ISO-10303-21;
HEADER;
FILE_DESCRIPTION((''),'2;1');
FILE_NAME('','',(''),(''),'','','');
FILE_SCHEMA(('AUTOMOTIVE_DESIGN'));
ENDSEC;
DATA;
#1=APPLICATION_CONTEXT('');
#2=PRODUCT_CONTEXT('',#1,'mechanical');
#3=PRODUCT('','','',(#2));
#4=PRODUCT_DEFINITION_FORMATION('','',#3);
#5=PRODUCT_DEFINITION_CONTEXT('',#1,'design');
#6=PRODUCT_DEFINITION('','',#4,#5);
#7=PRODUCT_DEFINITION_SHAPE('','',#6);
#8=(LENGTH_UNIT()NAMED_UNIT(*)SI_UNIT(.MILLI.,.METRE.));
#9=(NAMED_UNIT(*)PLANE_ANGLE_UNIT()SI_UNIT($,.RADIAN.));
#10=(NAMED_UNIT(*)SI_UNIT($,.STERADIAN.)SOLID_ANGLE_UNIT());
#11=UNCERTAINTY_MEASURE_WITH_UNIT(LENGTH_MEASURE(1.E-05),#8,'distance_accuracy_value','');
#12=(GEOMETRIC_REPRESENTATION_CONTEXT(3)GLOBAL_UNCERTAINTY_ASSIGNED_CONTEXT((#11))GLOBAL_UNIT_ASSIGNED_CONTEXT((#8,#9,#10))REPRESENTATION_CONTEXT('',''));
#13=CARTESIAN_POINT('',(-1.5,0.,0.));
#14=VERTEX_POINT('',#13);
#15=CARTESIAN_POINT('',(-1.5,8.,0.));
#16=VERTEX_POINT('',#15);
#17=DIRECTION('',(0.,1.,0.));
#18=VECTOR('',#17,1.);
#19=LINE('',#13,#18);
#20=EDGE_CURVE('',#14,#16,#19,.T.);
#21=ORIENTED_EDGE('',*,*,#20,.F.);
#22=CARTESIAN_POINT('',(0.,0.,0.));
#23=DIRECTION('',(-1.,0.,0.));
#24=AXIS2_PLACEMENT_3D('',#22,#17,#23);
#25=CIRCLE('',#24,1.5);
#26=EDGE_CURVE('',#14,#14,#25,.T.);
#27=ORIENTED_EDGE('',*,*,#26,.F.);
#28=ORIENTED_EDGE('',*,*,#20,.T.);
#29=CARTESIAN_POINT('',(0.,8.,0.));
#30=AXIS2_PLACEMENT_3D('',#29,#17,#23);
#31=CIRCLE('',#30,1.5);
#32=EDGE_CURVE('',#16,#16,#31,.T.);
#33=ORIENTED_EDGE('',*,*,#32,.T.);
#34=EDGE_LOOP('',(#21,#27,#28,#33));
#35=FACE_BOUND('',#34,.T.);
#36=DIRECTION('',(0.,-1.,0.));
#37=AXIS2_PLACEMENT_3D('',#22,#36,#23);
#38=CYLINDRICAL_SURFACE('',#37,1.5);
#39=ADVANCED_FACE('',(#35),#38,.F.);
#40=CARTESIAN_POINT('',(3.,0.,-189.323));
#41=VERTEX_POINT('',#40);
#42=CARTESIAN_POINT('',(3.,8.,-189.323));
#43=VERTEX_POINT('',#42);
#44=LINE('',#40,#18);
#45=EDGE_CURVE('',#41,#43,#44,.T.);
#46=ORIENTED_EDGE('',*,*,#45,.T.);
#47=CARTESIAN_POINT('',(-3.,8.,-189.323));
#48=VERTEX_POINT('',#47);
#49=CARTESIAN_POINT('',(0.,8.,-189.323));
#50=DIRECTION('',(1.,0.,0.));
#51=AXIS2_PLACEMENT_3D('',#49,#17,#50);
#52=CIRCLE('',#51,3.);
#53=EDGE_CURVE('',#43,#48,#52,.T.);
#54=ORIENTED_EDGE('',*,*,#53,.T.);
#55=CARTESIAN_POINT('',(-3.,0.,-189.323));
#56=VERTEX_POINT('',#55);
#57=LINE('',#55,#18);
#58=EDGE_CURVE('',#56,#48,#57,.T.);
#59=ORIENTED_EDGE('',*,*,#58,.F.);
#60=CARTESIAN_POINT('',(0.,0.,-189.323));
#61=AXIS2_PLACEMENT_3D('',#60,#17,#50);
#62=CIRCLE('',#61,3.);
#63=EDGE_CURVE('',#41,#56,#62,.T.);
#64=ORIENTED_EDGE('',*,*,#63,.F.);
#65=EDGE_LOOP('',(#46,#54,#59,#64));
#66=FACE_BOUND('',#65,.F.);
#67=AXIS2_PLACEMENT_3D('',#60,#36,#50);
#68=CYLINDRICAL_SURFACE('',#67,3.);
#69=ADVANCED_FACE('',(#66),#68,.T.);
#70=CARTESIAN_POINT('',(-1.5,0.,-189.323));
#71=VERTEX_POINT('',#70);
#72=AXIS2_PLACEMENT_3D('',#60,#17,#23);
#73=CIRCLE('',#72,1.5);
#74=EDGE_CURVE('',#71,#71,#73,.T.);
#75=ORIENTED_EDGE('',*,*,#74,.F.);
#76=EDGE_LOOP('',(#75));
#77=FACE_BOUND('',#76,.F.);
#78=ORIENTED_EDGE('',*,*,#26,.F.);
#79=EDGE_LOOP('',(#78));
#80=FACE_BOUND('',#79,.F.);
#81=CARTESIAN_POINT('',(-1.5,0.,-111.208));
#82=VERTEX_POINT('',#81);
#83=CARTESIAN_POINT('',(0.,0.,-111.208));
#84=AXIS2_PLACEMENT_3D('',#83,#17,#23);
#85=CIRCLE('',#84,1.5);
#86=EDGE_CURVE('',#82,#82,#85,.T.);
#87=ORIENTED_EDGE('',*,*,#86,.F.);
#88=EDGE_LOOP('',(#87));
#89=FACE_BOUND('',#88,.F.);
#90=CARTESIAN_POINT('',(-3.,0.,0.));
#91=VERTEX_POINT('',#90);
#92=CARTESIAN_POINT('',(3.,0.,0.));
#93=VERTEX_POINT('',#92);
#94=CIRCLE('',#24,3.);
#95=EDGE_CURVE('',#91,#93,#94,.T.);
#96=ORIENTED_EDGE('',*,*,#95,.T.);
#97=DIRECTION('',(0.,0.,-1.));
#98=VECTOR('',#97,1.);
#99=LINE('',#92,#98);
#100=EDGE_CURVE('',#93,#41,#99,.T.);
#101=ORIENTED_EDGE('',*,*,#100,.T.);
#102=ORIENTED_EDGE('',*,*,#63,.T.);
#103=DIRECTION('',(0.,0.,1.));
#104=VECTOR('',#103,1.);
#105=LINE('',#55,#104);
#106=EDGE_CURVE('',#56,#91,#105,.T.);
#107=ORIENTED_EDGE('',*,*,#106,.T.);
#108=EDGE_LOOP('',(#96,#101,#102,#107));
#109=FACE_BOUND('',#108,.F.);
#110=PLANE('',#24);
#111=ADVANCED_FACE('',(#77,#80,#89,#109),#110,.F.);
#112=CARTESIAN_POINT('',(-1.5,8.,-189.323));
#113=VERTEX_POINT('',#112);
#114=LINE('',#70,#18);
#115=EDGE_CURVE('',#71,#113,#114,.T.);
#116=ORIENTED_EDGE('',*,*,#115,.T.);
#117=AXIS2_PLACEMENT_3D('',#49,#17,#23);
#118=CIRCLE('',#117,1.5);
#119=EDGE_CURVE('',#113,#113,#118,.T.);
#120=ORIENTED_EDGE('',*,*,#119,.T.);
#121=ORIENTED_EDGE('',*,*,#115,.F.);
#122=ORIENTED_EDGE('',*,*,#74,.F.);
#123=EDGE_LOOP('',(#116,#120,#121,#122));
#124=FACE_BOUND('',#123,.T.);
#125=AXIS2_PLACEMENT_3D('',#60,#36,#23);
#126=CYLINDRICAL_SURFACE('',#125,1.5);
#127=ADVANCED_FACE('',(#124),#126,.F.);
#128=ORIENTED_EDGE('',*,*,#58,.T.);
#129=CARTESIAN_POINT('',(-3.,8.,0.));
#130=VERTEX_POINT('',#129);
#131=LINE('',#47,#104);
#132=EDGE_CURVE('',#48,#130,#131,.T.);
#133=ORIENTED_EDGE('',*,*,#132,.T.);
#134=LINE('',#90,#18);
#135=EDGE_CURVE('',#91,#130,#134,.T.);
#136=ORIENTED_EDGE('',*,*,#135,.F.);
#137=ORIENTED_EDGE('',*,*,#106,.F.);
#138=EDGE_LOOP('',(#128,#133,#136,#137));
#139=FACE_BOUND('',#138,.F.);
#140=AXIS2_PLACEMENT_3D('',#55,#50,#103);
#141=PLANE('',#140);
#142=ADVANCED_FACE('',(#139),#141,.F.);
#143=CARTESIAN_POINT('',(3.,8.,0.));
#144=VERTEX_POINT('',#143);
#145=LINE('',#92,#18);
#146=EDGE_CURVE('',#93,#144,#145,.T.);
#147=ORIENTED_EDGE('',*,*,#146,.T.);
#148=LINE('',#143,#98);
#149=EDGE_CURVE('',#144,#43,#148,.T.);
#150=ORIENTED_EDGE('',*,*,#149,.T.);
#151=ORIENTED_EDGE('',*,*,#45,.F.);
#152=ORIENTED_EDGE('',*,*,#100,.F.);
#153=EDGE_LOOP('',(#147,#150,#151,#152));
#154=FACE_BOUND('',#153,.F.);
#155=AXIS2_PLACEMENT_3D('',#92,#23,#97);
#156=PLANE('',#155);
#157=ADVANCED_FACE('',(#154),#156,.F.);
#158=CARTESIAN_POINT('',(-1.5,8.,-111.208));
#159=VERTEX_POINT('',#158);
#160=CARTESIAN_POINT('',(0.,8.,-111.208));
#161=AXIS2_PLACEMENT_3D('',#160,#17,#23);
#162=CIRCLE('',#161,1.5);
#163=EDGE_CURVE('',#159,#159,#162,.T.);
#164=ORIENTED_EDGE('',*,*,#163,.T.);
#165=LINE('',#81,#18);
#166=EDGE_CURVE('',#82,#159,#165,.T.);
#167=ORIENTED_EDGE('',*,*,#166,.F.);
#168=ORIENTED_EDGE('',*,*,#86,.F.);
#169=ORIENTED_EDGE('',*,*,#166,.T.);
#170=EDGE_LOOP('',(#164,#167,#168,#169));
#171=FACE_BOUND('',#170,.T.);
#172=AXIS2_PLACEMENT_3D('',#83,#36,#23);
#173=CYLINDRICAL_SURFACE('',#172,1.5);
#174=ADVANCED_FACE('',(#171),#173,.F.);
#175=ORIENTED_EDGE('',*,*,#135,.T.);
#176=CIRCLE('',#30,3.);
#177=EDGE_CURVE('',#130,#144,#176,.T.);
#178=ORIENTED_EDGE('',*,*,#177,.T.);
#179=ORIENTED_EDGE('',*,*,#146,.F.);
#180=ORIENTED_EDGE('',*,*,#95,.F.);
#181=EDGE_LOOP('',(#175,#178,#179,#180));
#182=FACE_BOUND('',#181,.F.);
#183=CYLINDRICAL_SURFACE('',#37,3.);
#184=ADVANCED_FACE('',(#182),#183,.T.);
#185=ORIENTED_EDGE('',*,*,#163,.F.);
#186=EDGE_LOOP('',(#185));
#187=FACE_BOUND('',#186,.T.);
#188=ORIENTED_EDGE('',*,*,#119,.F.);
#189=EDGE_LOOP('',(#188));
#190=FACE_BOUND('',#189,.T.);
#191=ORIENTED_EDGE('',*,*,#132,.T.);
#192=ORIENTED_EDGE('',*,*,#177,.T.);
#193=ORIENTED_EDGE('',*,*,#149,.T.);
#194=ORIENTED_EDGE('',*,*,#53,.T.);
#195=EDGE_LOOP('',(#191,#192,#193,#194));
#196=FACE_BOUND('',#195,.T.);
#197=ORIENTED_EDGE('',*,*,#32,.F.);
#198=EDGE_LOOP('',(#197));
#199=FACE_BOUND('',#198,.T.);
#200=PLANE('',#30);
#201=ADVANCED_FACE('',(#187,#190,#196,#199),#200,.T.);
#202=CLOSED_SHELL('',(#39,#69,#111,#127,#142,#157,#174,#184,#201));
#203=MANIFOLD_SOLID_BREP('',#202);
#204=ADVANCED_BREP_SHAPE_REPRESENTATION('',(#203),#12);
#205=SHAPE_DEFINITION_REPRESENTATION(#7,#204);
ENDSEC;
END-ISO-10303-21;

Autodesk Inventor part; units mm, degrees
ref_plane "YZ Plane" through (0, 0, 0) normal (1, 0, 0) x (0, 1, 0)
ref_plane "XZ Plane" through (0, 0, 0) normal (0, 1, 0) x (-1, 0, 0)
ref_plane "XY Plane" through (0, 0, 0) normal (0, 0, 1) x (1, 0, 0)
sketch "Sketch1" plane through (0, 0, 0) normal (0, 1, 0) x (-1, 0, 0)
  line L0 (0, 0) -> (0, -189.323) construction
  line L1 (-3, 0) -> (-3, -189.323)
  line L2 (3, -189.323) -> (3, 0)
  arc A0 (3, 0) -> (-3, 0) centre (0, 0) ccw
  arc A1 (-3, -189.323) -> (3, -189.323) centre (0, -189.323) ccw
  circle A2 centre (0, 0) radius 1.5
  circle A3 centre (0, -189.323) radius 1.5
  circle A4 centre (0, -111.208) radius 1.5
  point P0 (0, -94.6615)
  dimension "d0" = 189.323
  dimension "d1" = 6
  dimension "d2" = 3
  dimension "d3" = 3
  dimension "d6" = 3
  dimension "d7" = 111.208
extrude "Extrusion1" add sketch "Sketch1" along normal blind 8
sketch "Sketch2" plane through (0, 0, 0) normal (0, -1, 0) x (1, 0, 0)
  arc A0 (-3, -189.323) -> (3, -189.323) centre (0, -189.323) ccw projected
  line L0 (3, 0) -> (3, -189.323) projected
  arc A1 (3, 0) -> (-3, 0) centre (0, 0) ccw projected
  line L1 (-3, -189.323) -> (-3, 0) projected
  circle A2 centre (0, -111.208) radius 1.5 projected
  circle A3 centre (0, -189.323) radius 1.5 projected
  circle A4 centre (0, 0) radius 1.5 projected
